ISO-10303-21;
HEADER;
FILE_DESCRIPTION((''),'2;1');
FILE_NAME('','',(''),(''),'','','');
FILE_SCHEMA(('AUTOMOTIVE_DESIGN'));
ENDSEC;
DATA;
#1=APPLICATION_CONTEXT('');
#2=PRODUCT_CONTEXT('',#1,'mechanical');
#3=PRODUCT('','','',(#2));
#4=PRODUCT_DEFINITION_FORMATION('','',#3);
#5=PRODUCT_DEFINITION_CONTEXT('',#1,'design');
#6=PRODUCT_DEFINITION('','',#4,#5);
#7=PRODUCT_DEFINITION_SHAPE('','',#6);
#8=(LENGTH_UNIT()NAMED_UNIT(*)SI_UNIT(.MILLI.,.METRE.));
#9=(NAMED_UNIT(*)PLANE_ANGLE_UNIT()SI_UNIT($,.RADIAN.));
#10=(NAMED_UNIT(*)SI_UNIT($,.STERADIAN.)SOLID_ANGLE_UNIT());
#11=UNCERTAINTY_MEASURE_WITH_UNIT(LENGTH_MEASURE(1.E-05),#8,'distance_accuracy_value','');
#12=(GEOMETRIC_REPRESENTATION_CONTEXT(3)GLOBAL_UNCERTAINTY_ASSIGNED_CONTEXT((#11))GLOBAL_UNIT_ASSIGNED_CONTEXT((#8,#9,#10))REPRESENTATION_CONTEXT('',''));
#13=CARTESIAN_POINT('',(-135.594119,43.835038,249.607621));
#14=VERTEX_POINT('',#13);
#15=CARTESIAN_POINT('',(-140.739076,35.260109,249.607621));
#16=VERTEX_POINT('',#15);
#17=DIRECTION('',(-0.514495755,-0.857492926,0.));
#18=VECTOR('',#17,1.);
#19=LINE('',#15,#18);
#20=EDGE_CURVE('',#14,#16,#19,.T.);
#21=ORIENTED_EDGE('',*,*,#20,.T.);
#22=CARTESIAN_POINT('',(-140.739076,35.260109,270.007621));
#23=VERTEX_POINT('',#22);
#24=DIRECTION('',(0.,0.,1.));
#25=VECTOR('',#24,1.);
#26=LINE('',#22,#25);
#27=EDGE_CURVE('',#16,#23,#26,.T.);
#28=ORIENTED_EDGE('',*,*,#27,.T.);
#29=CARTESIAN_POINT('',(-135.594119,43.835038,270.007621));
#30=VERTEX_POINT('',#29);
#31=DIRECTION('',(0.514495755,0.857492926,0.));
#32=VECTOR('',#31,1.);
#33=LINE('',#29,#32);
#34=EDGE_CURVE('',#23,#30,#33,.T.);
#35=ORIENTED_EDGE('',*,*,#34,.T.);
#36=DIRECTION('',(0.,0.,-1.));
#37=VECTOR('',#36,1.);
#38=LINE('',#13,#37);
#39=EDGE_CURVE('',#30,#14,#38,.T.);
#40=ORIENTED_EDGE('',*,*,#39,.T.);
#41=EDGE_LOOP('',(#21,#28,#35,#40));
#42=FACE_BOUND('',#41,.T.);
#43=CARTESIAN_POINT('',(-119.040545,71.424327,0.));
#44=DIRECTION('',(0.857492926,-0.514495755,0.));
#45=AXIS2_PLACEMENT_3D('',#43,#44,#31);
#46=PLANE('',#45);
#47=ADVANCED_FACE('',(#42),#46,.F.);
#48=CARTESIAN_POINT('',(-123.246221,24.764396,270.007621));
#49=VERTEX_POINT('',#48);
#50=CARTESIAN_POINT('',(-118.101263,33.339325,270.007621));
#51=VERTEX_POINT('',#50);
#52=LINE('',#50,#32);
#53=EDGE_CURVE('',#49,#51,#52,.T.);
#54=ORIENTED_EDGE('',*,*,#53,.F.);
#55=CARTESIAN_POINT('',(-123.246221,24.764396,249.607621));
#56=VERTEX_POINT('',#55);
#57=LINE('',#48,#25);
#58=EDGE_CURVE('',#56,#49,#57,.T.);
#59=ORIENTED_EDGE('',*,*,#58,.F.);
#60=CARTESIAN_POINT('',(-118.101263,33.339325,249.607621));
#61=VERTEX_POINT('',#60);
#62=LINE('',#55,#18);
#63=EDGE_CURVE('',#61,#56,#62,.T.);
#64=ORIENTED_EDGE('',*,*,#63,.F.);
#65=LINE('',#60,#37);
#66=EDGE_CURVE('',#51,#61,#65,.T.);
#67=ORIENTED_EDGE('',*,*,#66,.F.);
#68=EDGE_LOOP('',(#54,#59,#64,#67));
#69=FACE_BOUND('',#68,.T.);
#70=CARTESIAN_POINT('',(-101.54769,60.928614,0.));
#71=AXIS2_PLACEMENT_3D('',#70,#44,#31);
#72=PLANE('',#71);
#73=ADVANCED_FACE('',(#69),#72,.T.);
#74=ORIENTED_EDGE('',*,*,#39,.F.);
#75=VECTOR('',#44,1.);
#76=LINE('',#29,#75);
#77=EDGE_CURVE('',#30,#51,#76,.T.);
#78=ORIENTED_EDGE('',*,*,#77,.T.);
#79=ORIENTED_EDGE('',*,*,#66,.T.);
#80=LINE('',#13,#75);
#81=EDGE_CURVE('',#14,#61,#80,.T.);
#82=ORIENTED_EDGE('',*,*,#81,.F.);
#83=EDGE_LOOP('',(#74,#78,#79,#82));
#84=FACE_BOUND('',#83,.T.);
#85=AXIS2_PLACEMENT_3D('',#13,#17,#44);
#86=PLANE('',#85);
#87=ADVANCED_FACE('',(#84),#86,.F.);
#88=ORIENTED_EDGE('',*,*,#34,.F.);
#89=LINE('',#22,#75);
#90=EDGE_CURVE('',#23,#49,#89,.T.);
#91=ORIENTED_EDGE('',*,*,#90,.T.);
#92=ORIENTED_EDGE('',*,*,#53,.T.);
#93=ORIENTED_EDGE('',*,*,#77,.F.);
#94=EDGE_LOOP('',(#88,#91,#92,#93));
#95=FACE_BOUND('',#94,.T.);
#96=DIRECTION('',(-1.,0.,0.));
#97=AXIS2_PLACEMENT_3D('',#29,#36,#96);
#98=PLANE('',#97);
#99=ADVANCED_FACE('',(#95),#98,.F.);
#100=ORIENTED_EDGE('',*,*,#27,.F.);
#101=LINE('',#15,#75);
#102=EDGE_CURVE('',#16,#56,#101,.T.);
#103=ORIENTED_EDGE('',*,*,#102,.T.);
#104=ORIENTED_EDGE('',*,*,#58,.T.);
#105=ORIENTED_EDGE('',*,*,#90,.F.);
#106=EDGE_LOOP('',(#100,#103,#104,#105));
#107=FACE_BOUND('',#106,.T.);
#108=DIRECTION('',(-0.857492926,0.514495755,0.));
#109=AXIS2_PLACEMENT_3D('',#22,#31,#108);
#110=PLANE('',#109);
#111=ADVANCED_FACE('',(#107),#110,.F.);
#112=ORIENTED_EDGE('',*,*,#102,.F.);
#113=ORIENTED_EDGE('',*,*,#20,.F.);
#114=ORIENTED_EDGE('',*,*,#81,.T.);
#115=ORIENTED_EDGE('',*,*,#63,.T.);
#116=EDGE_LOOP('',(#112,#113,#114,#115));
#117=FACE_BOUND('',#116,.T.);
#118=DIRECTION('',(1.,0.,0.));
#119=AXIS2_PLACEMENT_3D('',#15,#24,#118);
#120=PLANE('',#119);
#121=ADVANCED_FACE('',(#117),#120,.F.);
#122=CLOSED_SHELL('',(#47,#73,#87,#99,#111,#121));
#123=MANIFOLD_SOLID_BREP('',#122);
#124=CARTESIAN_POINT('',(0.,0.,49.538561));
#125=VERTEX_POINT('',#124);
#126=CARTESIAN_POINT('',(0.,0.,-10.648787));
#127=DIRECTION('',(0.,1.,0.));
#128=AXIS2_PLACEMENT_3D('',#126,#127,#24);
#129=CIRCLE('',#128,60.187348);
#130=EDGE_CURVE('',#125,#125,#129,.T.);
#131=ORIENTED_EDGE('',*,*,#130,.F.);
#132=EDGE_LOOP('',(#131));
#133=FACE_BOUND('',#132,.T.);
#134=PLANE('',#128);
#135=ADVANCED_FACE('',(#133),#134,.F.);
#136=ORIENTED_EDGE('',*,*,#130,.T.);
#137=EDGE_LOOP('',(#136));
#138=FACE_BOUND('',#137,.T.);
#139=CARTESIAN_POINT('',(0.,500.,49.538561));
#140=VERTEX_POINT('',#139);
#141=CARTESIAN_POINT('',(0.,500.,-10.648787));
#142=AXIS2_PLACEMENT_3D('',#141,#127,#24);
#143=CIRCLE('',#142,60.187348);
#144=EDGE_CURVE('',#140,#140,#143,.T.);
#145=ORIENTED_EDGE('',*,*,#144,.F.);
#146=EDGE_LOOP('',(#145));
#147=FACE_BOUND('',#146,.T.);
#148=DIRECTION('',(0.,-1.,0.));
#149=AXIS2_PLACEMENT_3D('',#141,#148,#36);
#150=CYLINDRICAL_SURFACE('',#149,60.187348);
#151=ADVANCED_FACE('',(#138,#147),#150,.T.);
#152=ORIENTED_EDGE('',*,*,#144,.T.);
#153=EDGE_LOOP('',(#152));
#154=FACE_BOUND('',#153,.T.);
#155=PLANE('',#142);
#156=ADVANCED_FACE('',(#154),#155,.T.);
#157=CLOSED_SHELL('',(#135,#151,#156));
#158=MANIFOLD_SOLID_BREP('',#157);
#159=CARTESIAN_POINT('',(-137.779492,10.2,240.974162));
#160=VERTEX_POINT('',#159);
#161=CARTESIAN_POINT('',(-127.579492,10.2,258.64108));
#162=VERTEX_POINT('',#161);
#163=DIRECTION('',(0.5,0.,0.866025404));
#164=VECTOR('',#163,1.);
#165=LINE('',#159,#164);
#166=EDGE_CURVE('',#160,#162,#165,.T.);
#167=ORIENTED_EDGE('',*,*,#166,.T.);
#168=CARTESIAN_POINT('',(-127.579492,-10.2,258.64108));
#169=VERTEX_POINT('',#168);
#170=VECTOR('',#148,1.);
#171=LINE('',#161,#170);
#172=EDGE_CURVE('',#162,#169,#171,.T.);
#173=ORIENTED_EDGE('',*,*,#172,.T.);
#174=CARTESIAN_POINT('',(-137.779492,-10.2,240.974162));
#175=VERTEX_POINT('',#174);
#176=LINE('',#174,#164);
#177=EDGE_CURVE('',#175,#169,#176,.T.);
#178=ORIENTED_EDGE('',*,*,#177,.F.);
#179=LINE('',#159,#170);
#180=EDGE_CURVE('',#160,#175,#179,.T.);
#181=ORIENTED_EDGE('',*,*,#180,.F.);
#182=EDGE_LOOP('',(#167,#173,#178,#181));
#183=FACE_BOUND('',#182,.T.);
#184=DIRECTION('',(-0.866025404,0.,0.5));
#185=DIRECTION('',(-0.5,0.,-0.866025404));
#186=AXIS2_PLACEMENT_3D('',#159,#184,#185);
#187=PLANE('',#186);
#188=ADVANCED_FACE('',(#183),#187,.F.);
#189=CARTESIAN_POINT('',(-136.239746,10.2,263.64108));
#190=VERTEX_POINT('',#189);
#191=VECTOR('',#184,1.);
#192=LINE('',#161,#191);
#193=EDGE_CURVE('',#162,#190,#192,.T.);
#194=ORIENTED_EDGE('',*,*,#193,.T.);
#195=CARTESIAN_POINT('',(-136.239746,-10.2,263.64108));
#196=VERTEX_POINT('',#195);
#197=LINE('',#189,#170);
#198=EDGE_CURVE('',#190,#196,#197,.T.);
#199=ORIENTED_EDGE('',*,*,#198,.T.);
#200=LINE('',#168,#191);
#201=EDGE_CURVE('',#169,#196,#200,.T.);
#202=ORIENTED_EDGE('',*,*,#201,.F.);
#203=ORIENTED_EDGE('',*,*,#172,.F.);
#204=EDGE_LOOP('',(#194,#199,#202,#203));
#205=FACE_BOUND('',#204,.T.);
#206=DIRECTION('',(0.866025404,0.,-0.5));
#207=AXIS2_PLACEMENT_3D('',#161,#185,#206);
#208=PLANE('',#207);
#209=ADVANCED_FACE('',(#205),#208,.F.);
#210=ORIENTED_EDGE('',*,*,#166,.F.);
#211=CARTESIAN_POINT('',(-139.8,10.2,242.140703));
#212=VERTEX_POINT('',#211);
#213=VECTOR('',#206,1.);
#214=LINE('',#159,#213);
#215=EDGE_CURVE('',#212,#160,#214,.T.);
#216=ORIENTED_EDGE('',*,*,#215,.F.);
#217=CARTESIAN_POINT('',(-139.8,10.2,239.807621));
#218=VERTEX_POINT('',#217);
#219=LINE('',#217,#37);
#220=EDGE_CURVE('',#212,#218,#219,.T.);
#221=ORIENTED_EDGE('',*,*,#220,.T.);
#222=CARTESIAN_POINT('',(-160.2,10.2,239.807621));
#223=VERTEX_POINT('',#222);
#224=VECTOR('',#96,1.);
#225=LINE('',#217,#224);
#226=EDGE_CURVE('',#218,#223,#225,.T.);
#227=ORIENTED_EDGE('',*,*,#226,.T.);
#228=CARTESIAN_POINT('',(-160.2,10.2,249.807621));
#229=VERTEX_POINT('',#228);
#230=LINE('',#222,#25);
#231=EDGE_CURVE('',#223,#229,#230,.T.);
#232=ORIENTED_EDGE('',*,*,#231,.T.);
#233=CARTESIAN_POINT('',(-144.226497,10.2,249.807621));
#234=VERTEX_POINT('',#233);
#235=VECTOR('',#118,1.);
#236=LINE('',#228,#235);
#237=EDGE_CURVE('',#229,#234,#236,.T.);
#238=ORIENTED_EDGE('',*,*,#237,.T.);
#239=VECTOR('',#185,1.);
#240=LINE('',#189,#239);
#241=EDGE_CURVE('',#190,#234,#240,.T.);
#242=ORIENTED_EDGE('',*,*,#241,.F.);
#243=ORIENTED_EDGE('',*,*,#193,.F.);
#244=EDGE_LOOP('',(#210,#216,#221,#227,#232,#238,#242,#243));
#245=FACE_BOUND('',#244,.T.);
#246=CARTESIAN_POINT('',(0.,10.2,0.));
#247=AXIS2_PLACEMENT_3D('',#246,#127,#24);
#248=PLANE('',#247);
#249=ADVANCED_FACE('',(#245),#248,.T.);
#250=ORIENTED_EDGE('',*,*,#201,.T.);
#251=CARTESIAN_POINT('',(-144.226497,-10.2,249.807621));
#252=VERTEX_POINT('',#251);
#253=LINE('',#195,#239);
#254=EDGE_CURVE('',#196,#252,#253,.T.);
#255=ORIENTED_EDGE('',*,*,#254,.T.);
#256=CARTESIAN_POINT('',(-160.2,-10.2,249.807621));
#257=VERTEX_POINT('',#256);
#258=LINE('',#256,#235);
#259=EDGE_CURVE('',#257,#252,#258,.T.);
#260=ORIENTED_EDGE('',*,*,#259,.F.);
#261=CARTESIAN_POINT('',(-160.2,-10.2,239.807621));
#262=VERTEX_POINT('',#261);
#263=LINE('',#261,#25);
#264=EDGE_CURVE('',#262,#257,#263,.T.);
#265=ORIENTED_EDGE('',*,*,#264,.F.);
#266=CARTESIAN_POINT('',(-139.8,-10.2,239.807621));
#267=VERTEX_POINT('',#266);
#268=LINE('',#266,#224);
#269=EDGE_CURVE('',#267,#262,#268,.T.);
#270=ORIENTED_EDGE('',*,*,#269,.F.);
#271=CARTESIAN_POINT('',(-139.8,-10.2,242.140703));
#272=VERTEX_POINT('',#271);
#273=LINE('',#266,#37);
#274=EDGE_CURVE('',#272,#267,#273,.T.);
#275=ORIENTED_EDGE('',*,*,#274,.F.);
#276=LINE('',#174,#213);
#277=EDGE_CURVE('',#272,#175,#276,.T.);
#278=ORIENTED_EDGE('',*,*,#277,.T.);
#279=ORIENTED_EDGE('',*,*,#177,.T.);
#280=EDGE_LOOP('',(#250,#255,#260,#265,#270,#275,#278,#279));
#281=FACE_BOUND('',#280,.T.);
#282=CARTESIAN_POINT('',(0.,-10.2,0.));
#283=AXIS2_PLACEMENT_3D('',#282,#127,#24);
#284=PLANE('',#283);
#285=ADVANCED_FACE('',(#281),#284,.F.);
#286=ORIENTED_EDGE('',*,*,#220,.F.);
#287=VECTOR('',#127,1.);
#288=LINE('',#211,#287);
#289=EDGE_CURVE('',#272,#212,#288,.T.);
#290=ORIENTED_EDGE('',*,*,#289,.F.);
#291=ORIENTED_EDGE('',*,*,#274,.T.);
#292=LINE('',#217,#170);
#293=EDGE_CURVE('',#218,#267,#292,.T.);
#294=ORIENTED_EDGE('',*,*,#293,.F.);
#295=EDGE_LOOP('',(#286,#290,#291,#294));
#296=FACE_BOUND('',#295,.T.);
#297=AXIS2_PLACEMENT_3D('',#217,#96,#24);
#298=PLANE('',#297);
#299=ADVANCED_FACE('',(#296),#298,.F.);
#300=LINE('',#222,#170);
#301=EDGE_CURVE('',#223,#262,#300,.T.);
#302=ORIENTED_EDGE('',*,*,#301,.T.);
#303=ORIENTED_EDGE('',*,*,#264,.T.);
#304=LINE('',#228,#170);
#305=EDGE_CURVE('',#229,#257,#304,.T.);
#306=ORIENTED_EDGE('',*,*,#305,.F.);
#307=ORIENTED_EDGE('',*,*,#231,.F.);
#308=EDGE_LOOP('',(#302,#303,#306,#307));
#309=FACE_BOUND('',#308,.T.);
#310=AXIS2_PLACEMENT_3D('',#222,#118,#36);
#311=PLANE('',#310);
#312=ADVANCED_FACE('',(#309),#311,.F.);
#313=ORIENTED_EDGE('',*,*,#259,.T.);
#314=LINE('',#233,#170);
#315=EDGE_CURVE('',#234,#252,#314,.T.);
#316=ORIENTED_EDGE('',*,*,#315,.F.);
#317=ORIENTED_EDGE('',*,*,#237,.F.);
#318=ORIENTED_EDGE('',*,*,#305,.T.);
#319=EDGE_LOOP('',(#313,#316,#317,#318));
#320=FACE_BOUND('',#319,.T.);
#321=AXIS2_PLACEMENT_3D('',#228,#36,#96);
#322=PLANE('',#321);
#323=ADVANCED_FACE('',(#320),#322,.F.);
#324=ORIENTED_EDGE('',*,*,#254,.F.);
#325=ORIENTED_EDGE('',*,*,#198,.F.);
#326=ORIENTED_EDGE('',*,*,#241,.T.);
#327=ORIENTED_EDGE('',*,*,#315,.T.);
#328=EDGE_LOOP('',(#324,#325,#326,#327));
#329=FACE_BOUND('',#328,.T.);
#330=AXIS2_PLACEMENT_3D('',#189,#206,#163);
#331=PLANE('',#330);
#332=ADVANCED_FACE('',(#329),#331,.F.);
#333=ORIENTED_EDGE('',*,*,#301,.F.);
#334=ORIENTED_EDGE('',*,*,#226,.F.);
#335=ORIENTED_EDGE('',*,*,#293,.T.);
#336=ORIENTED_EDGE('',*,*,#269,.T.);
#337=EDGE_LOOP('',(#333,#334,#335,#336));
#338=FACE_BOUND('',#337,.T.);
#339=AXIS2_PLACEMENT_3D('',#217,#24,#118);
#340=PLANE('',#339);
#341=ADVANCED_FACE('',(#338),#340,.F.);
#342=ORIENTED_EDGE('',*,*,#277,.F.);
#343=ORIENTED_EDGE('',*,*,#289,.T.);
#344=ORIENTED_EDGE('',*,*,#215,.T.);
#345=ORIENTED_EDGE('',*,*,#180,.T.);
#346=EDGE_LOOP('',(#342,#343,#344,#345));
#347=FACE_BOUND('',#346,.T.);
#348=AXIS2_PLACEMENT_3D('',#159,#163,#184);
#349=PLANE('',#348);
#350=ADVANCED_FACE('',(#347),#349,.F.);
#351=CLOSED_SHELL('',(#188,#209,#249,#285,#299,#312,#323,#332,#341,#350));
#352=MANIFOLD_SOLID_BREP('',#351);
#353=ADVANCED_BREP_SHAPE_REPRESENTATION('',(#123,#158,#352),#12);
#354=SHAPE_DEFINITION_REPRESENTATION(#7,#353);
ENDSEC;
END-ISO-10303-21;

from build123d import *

# Parameters (mm, degrees)
CROQUIS4_R              = 60.187347707
SALIENTE_EXTRUIR1_DEPTH = 500
CROQUIS5_W              = 20.4
CROQUIS5_H              = 10
SALIENTE_EXTRUIR2_DEPTH = 10.2
CROQUIS8_W              = 20.4
CROQUIS8_H              = 10
SALIENTE_EXTRUIR4_DEPTH = 10.2


with BuildPart() as part:
    # Croquis4 → Saliente-Extruir1 (new body)
    with BuildSketch(Plane(origin=(0, 0, 0), x_dir=(1, 0, 0), z_dir=(0, 1, 0))):
        with Locations(Location((0, 10.648786568, 0), (0, 0, 270))):
            Circle(CROQUIS4_R)
    extrude(amount=SALIENTE_EXTRUIR1_DEPTH)


with BuildPart() as body_2:
    # Croquis5 → Saliente-Extruir2 (new, symmetric)
    with BuildSketch(Plane(origin=(0, 0, 0), x_dir=(1, 0, 0), z_dir=(0, 1, 0))):
        with Locations((-150, -244.807621135)):
            Rectangle(CROQUIS5_W, CROQUIS5_H)
    saliente_extruir2 = extrude(amount=SALIENTE_EXTRUIR2_DEPTH, both=True)

    # Simetría5: Saliente-Extruir2 across plane
    add(saliente_extruir2.mirror(Plane(origin=(0, 0, 0), x_dir=(-0.49999999999999983, 0, 0.8660254037844387), z_dir=(0.8660254037844386, 0, 0.4999999999999999))))


with BuildPart() as body_3:
    # Croquis8 → Saliente-Extruir4 (new, symmetric)
    with BuildSketch(Plane(origin=(-110.294117647, 66.176470588, 0), x_dir=(0, 0, 1), z_dir=(-0.8574929257125441, 0.5144957554275266, 0))):
        with Locations((259.807621135, -37.174363314)):
            Rectangle(CROQUIS8_W, CROQUIS8_H)
    extrude(amount=SALIENTE_EXTRUIR4_DEPTH, both=True)


solid = Compound([part.part, body_2.part, body_3.part])
